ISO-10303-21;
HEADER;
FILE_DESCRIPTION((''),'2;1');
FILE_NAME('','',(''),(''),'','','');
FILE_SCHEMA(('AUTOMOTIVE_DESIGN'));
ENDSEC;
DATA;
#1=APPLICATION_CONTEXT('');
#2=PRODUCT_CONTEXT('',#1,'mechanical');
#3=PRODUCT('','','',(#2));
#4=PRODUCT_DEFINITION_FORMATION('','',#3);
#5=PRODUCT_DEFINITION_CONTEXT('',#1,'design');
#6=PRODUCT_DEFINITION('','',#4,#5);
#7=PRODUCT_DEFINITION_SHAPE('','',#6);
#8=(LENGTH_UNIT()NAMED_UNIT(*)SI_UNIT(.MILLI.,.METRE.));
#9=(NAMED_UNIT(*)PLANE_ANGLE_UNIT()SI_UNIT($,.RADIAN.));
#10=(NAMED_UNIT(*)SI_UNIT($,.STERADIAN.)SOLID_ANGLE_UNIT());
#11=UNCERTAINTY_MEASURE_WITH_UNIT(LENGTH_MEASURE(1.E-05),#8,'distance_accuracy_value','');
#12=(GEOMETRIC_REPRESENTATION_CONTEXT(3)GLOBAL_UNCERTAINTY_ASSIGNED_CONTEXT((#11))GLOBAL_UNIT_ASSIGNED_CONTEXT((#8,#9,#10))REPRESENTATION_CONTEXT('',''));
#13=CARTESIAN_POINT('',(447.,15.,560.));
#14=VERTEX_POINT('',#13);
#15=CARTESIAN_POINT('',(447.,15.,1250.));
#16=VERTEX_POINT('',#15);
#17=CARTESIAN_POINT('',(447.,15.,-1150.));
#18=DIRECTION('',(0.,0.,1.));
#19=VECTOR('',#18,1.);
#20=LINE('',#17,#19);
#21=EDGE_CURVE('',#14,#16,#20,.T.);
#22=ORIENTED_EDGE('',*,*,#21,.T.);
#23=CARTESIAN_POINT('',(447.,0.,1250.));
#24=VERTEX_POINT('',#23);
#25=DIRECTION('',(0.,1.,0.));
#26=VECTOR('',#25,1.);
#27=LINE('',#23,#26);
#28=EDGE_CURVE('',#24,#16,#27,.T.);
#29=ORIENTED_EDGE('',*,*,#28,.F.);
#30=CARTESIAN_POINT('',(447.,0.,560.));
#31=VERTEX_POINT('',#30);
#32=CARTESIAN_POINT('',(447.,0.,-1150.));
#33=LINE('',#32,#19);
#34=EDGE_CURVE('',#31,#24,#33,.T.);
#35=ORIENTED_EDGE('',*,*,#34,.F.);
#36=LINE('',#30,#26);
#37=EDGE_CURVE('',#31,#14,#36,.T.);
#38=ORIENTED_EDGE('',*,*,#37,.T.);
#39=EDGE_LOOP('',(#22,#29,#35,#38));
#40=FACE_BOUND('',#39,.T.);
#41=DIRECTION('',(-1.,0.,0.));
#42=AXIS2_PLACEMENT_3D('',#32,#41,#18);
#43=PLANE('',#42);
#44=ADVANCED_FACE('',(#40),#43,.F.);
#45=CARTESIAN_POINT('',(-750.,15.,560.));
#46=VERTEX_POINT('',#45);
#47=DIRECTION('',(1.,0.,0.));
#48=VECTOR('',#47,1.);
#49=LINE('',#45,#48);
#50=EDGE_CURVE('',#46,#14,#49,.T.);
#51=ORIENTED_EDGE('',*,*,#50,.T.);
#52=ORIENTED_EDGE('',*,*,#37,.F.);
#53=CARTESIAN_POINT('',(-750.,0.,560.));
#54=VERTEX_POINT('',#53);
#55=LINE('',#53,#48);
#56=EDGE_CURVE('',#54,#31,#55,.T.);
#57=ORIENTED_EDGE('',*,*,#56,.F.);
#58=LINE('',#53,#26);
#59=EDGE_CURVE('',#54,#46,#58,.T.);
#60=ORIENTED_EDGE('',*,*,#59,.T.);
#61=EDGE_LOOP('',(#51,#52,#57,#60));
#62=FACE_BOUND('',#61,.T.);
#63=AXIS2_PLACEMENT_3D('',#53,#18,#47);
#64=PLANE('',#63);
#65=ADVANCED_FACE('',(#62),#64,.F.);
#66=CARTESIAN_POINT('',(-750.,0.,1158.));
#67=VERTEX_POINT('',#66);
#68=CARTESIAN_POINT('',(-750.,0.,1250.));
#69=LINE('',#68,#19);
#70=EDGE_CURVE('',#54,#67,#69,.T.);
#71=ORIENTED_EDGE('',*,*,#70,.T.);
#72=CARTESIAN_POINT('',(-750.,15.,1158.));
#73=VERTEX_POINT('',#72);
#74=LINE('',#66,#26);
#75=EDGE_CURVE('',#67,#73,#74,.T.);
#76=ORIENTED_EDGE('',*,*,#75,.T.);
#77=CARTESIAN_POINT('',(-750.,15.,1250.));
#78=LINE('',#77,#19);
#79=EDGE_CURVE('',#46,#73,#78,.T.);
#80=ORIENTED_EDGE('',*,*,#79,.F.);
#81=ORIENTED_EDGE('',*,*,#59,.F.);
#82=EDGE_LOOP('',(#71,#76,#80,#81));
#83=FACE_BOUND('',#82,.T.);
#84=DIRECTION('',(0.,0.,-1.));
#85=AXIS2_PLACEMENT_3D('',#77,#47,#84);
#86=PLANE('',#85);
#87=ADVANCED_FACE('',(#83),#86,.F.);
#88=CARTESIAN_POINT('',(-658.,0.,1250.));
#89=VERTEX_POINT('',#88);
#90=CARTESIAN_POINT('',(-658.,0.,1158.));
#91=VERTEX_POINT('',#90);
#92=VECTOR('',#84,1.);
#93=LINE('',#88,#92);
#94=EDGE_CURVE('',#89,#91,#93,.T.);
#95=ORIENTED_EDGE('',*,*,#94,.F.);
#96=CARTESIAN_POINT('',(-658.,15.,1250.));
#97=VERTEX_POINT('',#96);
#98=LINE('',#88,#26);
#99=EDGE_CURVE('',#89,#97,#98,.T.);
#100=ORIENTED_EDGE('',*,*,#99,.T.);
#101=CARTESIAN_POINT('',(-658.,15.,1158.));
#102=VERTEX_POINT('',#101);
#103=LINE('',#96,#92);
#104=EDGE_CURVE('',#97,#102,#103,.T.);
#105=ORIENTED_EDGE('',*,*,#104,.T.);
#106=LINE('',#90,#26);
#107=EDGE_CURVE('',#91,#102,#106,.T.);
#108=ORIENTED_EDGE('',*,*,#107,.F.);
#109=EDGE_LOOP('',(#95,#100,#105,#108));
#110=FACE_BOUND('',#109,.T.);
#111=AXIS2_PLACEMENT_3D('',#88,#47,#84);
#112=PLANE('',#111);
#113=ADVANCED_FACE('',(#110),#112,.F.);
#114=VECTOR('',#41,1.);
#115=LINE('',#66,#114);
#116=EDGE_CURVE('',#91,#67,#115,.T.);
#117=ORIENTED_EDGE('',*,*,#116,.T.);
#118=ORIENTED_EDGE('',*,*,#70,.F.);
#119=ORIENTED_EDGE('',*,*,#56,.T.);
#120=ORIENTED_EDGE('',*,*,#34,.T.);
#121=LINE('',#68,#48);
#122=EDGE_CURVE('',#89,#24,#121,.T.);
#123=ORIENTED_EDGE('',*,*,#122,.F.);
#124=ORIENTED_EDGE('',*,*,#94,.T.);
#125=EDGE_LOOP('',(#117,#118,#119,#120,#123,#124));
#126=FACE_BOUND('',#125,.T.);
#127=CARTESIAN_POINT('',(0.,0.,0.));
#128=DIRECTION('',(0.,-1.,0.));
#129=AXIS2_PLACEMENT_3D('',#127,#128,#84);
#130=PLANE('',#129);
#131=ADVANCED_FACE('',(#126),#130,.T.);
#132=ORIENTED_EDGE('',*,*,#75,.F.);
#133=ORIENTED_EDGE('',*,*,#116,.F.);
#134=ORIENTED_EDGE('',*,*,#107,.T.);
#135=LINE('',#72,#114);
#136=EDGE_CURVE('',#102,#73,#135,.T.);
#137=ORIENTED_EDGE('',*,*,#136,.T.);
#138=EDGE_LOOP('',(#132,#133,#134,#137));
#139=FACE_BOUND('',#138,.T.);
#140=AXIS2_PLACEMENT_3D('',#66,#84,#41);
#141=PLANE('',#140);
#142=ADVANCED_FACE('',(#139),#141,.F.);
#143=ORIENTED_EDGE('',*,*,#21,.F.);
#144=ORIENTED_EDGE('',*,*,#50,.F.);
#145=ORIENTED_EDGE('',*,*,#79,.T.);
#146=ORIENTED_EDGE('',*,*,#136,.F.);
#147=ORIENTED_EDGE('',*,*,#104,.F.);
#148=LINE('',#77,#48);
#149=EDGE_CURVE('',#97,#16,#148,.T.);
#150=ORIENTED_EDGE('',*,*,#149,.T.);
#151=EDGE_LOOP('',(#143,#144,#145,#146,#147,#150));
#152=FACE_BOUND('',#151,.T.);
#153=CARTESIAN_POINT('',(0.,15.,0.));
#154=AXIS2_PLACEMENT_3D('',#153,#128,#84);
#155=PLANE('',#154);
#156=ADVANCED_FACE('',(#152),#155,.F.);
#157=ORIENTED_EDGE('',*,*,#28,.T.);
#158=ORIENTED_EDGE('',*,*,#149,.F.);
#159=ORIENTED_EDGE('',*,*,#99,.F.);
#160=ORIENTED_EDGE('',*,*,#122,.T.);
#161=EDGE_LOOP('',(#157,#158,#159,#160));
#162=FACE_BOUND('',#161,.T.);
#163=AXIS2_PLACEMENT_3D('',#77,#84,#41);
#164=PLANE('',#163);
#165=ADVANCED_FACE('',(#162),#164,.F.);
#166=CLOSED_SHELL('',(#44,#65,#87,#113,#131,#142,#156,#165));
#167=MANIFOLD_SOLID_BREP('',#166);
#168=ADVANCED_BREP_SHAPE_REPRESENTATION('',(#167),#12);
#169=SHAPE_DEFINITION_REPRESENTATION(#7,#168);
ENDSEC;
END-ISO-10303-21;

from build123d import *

# Parameters (mm, degrees)
SKETCH1_W                   = 1500
SKETCH1_H                   = 2500
PLACA_BASE_PAVIMENTO_DEPTH  = 15
CORTE_PARA_PLACA_BASE_DEPTH = 1458.815146032
SKETCH7_W                   = 1197
SKETCH7_H                   = 1710
PLACA_BASE_RESTO_DEPTH      = 1458.815146032
SKETCH3_W                   = 92
SKETCH3_H                   = 92
CANTO_ESQUERDO_DEPTH        = 1458.815146032


with BuildPart() as part:
    # Sketch1 → Placa Base Pavimento (new body)
    with BuildSketch(Plane(origin=(0, 0, 0), x_dir=(1, 0, 0), z_dir=(0, 1, 0))):
        Rectangle(SKETCH1_W, SKETCH1_H)
    extrude(amount=PLACA_BASE_PAVIMENTO_DEPTH)

    # Sketch2 → Corte Para Placa Base (cut, through all)
    with BuildSketch(Plane(origin=(0, 15, 0), x_dir=(1, 0, 0), z_dir=(0, 1, 0))):
        Polygon((-750, 1150), (447, 1150), (447, -1250), (750, -1250), (750, 1250), (-750, 1250), align=None)
    extrude(amount=-CORTE_PARA_PLACA_BASE_DEPTH, mode=Mode.SUBTRACT)

    # Sketch7 → Placa Base Resto (cut, through all)
    with BuildSketch(Plane(origin=(0, 15, 0), x_dir=(1, 0, 0), z_dir=(0, 1, 0))):
        with Locations((-151.5, 295)):
            Rectangle(SKETCH7_W, SKETCH7_H)
    extrude(amount=-PLACA_BASE_RESTO_DEPTH, mode=Mode.SUBTRACT)

    # Sketch3 → Canto Esquerdo (cut, through all)
    with BuildSketch(Plane(origin=(0, 15, 0), x_dir=(1, 0, 0), z_dir=(0, 1, 0))):
        with Locations((-704, -1204)):
            Rectangle(SKETCH3_W, SKETCH3_H)
    extrude(amount=-CANTO_ESQUERDO_DEPTH, mode=Mode.SUBTRACT)


solid = part.part
